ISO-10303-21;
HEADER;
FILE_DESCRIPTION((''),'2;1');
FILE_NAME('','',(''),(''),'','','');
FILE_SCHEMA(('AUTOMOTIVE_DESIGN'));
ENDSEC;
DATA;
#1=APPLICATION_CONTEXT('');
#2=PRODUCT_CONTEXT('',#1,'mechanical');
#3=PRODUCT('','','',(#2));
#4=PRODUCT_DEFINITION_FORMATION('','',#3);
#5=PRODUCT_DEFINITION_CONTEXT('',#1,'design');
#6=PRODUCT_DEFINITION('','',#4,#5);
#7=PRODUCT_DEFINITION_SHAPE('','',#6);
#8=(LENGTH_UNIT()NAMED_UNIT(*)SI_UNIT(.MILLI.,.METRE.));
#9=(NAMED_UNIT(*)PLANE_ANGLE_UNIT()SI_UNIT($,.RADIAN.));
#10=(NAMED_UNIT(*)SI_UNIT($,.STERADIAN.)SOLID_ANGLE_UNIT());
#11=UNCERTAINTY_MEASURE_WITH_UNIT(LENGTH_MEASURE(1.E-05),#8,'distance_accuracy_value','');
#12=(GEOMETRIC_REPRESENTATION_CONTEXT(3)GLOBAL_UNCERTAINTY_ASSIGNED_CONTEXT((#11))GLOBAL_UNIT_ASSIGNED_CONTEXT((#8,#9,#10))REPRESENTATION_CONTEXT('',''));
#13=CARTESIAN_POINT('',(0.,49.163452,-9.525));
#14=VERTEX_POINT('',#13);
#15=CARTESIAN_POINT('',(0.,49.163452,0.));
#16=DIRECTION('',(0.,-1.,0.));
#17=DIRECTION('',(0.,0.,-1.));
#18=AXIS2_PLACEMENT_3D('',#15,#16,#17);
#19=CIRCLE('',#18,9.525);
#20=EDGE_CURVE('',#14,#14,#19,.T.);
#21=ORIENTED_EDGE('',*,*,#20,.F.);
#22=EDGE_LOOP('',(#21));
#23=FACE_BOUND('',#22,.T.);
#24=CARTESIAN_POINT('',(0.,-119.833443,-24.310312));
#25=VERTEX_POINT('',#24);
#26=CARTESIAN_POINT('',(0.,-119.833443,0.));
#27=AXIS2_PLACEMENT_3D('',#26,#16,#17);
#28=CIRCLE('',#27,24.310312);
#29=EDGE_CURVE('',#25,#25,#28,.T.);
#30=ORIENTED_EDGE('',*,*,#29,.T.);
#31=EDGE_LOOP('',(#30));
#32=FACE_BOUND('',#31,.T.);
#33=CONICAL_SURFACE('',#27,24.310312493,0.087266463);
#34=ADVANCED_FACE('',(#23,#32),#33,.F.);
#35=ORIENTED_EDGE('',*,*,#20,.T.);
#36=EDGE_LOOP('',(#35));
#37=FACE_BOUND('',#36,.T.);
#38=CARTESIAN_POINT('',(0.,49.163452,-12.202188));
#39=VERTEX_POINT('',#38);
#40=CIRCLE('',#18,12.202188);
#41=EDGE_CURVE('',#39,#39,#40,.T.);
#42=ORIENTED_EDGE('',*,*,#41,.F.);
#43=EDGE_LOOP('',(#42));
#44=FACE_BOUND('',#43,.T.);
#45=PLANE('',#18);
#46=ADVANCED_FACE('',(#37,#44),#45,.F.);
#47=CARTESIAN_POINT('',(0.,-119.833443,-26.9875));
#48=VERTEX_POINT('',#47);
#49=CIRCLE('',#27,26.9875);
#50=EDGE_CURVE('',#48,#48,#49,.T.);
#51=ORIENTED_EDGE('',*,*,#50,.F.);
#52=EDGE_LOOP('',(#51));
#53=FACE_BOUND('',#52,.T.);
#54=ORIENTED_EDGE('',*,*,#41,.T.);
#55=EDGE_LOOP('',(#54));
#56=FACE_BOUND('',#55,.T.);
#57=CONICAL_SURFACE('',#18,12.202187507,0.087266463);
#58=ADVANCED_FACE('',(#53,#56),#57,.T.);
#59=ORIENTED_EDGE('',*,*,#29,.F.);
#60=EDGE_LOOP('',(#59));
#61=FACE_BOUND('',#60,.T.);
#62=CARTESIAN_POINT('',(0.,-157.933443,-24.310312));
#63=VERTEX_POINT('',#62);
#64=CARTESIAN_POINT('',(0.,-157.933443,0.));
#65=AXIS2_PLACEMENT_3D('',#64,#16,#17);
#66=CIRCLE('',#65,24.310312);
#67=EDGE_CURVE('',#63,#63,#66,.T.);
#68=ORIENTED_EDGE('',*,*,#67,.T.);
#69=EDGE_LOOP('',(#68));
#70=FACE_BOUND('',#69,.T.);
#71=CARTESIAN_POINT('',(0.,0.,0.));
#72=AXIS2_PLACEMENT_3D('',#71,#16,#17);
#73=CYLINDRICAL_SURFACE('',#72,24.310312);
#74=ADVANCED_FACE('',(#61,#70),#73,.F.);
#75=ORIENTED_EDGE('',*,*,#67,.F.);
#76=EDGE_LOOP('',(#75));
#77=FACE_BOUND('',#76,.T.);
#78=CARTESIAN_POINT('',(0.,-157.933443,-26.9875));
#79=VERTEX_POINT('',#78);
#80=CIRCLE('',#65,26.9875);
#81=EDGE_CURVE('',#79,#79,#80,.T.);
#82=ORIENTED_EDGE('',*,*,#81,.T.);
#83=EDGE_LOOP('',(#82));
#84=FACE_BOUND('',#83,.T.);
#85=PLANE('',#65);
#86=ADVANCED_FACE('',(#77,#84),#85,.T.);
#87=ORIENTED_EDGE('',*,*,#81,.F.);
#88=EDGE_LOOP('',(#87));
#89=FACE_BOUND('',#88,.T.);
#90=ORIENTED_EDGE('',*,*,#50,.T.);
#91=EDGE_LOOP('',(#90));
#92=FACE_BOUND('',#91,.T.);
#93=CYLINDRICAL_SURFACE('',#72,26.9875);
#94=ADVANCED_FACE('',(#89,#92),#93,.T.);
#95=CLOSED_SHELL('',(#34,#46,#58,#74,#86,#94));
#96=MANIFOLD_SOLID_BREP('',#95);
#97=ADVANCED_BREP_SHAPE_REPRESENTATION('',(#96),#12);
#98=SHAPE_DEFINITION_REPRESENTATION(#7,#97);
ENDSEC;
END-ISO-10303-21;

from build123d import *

# Parameters (mm, degrees)
SKETCH1_W = 2.677187507
SKETCH1_H = 38.1


with BuildPart() as part:
    # Sketch1 → Revolve1 (revolve)
    with BuildSketch(Plane.XY, mode=Mode.PRIVATE) as revolve1_sk:
        with Locations((25.648906247, -138.88344348)):
            Rectangle(SKETCH1_W, SKETCH1_H)
        Polygon((24.310312493, -119.83344348), (9.525, 49.163451631), (12.202187507, 49.163451631), (26.9875, -119.83344348), align=None)
    revolve(revolve1_sk.sketch.rotate(Axis((0, 0, 0), (0, 1, 0)), 90), axis=Axis((0, 0, 0), (0, 1, 0)))


solid = part.part
